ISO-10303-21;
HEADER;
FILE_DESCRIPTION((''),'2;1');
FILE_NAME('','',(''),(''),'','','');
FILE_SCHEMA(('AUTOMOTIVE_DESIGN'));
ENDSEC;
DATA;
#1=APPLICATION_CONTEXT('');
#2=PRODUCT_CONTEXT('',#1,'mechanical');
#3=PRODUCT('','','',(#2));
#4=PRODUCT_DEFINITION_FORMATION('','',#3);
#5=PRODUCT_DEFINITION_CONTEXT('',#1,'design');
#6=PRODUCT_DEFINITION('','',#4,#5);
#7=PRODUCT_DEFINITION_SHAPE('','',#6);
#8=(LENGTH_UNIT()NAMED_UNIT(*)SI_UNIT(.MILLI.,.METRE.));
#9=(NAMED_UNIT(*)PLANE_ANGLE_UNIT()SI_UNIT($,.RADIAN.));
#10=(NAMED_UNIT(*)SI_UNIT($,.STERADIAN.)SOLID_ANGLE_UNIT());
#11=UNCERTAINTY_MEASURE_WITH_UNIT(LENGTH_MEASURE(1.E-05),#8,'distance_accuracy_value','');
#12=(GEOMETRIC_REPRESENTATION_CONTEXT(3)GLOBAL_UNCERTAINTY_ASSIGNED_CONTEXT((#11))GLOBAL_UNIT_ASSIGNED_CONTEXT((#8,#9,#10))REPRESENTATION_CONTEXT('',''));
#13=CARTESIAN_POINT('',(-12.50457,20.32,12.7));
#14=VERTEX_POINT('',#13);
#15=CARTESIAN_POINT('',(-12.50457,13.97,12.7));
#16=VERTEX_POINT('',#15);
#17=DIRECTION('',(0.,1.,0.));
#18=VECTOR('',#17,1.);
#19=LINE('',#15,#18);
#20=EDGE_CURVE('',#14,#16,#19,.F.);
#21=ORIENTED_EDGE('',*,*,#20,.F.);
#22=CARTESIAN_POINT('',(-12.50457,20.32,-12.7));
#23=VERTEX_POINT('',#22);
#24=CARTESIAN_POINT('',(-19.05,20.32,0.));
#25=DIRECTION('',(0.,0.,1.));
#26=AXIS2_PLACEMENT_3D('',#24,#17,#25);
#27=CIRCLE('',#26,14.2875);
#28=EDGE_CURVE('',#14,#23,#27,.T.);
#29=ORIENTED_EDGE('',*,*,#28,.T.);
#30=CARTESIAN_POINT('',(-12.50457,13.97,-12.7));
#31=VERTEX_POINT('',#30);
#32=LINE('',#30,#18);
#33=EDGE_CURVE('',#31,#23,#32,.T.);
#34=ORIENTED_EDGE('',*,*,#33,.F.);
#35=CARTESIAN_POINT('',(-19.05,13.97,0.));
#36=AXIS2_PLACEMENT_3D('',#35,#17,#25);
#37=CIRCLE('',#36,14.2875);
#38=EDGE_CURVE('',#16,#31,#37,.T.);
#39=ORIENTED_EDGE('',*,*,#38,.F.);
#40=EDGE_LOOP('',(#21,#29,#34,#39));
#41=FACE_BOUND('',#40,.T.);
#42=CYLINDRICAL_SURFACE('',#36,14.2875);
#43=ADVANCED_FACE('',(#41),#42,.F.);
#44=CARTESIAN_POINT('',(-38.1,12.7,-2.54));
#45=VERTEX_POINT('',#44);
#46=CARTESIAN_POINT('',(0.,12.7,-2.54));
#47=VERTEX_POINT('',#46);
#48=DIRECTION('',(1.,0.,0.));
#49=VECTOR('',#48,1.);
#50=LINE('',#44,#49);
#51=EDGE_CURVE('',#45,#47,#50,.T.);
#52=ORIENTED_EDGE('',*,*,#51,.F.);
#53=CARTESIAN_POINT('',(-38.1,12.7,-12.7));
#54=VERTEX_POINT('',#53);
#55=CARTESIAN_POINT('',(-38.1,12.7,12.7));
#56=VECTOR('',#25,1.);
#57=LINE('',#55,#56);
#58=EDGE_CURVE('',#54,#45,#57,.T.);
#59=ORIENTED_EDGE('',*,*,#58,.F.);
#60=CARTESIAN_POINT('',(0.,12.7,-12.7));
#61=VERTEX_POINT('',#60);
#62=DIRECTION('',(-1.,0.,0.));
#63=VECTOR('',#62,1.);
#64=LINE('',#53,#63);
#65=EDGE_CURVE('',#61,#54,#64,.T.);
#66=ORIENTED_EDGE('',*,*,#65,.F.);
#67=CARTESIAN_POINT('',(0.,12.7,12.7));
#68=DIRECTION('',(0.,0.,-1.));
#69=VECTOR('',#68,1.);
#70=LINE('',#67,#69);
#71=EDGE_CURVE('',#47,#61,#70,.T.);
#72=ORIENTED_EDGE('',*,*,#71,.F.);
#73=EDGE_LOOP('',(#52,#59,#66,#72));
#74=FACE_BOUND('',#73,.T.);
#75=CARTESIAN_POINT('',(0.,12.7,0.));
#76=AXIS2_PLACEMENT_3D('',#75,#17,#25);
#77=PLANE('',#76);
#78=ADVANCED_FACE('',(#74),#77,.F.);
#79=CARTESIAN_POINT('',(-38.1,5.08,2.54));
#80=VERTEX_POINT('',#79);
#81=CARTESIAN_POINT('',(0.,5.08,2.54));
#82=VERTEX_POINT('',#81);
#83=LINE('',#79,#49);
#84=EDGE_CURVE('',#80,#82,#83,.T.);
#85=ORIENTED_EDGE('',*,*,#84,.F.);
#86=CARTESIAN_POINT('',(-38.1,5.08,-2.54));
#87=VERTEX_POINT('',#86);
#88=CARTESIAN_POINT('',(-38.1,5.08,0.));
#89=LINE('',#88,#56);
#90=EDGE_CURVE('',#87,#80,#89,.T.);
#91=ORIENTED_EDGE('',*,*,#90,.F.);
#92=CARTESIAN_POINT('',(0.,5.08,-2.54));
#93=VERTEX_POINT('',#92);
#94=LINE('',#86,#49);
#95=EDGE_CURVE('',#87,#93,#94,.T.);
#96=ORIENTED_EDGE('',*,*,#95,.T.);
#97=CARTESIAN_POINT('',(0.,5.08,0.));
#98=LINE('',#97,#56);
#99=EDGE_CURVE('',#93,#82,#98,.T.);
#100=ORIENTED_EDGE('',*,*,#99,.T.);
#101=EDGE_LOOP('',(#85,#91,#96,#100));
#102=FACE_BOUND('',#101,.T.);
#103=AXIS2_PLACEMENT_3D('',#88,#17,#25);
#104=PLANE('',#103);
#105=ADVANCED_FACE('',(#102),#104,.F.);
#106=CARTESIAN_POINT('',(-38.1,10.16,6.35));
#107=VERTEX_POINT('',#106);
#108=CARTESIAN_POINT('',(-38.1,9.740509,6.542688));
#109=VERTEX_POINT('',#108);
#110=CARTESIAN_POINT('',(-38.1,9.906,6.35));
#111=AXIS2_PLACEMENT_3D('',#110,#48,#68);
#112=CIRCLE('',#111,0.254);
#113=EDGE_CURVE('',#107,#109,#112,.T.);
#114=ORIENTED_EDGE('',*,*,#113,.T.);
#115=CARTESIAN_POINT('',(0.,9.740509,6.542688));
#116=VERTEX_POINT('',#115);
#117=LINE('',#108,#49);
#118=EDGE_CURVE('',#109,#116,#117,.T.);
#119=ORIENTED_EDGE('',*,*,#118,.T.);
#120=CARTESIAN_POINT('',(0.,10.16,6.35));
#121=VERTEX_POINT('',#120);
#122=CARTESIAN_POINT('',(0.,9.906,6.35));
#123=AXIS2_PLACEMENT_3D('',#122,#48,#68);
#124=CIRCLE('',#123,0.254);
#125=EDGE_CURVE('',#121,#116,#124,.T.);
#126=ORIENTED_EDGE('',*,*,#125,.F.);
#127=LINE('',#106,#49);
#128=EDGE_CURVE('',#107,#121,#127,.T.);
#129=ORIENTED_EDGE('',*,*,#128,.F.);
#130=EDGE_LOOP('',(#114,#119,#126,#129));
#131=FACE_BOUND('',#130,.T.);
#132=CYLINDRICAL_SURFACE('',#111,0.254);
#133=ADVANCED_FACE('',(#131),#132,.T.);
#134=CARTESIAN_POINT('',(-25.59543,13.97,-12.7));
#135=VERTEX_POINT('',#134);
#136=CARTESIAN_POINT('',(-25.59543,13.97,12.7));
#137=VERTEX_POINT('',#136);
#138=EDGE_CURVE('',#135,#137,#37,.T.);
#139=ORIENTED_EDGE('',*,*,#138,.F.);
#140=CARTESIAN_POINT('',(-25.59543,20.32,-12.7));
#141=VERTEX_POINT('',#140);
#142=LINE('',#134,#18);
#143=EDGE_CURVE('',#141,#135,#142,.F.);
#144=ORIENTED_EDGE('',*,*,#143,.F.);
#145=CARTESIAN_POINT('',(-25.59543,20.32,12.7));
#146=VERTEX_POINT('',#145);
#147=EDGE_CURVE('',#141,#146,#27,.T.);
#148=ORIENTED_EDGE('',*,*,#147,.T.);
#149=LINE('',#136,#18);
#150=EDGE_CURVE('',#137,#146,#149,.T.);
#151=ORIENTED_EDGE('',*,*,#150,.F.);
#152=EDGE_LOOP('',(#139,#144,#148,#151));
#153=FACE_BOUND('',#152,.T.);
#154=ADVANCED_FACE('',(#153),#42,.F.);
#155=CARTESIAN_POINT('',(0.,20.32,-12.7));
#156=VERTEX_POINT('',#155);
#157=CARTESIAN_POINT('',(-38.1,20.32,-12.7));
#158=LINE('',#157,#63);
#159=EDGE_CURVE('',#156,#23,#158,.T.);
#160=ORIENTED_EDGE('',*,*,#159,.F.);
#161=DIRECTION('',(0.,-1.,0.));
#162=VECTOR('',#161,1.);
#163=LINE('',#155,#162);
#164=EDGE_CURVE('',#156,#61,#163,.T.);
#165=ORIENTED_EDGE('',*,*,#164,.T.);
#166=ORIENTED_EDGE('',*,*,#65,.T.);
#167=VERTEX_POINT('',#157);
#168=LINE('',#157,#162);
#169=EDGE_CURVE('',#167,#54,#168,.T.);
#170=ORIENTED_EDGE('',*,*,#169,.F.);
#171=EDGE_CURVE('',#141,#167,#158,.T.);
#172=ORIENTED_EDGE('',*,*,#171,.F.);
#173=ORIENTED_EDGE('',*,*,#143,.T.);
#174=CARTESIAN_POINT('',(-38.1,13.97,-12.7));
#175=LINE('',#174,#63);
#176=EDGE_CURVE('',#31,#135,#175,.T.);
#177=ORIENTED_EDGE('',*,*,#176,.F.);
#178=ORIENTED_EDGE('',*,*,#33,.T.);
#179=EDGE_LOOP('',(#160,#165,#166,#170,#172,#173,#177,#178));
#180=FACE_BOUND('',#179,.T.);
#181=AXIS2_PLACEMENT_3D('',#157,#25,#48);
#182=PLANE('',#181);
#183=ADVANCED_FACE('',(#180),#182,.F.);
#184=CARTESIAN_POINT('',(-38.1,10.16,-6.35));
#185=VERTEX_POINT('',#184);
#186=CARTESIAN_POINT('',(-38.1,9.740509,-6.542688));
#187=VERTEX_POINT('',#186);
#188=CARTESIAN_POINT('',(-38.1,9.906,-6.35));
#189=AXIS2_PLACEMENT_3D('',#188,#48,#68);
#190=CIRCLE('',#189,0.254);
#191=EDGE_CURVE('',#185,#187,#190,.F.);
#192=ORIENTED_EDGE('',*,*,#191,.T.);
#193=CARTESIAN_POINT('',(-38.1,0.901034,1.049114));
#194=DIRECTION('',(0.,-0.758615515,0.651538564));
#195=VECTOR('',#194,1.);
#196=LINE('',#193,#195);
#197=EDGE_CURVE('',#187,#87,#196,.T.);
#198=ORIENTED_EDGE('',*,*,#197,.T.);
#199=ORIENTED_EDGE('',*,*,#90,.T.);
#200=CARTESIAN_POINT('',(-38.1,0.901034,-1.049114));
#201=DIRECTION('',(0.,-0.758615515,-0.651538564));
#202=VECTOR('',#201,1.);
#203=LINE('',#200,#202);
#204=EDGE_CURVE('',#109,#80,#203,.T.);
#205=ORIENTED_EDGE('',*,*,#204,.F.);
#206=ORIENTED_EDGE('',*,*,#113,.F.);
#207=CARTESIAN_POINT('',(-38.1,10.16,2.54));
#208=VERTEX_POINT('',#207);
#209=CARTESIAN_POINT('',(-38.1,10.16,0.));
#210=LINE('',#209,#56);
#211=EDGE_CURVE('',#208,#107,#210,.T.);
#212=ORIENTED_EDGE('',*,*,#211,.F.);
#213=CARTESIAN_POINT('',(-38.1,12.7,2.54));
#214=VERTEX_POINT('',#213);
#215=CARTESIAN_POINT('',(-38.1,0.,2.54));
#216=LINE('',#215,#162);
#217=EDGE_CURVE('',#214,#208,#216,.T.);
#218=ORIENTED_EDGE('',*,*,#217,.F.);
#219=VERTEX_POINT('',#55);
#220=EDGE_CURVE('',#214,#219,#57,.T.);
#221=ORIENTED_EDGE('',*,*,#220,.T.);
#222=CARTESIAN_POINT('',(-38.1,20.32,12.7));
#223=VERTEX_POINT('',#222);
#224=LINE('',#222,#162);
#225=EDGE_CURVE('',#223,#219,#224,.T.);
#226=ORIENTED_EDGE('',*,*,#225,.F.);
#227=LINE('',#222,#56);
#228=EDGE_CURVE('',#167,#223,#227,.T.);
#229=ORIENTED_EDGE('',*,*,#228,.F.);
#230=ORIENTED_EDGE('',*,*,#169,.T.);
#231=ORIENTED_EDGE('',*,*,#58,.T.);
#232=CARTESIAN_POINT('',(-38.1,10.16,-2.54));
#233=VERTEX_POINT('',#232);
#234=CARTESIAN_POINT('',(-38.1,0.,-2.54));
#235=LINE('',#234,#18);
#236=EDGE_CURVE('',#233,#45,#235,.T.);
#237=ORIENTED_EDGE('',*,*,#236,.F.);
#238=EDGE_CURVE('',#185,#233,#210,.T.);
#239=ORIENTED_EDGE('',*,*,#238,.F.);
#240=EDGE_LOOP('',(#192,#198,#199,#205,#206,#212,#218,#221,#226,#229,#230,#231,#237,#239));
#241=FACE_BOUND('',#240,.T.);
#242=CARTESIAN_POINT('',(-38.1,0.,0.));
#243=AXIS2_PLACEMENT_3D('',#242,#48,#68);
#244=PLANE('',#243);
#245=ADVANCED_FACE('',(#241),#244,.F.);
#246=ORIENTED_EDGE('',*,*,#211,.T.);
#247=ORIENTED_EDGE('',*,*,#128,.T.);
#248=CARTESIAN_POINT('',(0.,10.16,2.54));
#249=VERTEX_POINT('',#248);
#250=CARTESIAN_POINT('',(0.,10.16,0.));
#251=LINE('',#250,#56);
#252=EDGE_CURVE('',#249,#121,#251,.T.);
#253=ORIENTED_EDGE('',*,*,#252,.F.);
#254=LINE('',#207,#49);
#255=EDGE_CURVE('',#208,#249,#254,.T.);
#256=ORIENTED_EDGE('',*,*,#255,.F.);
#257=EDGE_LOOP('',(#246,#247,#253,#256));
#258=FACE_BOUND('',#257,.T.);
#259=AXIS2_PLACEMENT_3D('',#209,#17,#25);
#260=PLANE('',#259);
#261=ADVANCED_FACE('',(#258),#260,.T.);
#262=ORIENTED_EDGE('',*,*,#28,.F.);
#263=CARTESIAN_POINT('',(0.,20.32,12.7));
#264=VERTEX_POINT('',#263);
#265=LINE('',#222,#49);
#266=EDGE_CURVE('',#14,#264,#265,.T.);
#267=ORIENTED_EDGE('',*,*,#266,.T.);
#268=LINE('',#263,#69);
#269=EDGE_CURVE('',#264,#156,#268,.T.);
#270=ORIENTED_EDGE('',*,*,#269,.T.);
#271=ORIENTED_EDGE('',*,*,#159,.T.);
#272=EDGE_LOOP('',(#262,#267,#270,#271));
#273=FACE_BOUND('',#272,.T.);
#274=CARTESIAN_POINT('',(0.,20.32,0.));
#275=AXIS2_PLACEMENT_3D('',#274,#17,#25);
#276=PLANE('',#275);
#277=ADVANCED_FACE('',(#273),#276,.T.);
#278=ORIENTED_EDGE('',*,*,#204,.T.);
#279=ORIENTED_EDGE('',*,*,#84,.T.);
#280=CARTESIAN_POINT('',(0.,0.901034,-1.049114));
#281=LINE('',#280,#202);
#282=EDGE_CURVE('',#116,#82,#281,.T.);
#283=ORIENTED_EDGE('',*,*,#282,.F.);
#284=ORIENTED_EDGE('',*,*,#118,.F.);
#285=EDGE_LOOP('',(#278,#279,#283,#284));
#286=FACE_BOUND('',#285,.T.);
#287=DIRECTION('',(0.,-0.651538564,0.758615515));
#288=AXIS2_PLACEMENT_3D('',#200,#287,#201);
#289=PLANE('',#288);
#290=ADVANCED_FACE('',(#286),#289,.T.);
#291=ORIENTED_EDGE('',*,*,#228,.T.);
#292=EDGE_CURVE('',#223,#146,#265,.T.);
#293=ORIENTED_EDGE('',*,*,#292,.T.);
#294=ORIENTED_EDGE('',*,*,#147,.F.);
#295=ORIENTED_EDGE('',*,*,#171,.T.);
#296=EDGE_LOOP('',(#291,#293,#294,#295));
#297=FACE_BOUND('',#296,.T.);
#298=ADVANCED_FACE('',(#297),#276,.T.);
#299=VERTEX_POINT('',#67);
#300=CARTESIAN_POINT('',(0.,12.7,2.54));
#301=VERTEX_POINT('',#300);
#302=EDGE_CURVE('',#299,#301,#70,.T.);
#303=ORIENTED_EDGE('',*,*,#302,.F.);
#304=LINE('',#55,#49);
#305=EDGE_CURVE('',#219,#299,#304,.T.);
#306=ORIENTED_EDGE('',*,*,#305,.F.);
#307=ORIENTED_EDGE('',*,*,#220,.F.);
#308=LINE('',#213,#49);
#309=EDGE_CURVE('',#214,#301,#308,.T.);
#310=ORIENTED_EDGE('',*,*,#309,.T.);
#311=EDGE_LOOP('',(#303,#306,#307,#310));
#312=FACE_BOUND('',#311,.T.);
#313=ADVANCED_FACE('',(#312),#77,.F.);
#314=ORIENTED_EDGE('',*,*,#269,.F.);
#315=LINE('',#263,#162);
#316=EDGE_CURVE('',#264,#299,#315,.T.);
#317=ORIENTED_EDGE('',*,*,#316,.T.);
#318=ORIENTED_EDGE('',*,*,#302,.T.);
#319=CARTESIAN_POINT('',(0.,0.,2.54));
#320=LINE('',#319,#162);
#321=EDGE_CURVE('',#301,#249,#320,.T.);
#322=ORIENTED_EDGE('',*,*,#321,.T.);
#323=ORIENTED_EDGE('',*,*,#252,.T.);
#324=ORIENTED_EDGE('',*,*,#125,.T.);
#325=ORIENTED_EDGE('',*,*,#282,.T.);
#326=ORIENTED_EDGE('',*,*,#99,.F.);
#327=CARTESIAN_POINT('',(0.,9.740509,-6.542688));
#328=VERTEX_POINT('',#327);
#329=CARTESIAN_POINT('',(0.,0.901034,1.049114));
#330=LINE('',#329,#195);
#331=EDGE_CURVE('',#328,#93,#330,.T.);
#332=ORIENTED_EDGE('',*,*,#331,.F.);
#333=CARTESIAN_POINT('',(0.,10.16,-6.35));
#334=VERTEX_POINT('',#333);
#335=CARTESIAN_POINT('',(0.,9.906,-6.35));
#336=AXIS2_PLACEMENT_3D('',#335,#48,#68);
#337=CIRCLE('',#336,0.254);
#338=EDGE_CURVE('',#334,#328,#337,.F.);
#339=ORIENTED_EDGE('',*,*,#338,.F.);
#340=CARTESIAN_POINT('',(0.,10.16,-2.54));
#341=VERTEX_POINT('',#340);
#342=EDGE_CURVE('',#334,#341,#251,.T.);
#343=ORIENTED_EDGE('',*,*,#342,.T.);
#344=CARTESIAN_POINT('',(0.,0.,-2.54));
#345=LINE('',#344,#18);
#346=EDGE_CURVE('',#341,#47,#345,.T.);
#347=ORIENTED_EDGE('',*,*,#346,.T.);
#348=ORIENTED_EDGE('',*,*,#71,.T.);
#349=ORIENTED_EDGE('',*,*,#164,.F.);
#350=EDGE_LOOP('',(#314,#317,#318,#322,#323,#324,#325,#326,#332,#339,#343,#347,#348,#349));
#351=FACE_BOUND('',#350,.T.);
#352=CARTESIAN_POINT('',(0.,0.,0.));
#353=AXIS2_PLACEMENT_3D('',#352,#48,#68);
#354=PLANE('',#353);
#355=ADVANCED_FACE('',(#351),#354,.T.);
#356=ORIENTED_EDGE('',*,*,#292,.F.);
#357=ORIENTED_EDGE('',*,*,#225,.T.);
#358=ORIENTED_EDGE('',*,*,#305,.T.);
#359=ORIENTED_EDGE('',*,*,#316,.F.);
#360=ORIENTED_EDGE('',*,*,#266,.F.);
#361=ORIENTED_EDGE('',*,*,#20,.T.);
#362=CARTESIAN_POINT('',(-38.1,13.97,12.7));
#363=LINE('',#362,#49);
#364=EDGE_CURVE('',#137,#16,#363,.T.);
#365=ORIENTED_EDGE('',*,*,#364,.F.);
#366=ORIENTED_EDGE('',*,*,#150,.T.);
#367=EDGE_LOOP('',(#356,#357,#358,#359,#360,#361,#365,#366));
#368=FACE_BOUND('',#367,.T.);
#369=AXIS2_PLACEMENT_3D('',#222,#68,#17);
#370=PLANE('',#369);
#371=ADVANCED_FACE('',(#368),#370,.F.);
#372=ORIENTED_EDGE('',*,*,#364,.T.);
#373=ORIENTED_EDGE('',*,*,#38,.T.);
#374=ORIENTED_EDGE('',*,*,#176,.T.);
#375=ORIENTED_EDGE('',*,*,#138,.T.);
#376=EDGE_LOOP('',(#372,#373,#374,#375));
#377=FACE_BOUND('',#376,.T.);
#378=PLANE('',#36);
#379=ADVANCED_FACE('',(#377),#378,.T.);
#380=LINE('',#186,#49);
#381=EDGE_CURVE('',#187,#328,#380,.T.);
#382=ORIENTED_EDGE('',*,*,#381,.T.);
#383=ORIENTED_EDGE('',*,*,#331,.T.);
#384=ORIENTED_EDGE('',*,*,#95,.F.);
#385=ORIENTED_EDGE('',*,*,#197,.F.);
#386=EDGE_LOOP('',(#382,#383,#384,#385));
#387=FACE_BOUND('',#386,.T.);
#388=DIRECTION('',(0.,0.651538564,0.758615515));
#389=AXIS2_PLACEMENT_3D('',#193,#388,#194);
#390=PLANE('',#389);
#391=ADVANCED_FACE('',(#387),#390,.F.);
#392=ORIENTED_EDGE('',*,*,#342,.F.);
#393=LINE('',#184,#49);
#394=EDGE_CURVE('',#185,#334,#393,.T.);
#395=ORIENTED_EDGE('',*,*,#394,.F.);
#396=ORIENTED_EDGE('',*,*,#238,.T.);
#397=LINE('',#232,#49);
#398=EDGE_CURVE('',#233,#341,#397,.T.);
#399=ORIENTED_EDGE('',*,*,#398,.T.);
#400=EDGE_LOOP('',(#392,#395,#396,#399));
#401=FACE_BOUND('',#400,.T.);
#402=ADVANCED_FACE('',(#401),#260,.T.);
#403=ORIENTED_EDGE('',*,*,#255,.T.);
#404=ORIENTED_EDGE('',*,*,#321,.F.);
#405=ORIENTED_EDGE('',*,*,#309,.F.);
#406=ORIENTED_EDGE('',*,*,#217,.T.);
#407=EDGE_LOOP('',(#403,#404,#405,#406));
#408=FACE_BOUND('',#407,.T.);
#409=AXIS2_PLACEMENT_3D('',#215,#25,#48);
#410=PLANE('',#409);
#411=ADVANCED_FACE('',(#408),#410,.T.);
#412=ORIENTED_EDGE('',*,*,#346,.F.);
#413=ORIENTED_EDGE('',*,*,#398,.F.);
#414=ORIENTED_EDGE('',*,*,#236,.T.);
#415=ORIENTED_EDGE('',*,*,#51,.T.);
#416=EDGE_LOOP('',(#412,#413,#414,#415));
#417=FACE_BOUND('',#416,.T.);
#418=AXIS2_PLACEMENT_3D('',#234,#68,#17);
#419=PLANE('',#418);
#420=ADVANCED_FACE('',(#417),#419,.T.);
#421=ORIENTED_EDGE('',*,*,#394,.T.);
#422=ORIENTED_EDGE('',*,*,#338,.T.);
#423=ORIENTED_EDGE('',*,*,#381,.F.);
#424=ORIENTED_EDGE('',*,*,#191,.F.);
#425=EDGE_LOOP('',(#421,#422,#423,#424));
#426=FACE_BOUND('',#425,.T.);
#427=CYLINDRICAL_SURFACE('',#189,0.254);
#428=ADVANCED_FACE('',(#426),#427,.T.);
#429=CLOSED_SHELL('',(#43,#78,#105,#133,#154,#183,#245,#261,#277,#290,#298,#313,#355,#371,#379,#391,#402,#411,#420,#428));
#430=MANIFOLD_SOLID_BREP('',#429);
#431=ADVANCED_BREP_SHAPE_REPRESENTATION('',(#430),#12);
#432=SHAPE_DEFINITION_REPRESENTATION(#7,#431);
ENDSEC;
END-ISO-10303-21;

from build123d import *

# Parameters (mm, degrees)
SKETCH10_W          = 5.08
SKETCH10_H          = 2.54
BOSS_EXTRUDE3_DEPTH = 38.1
SKETCH11_W          = 38.1
SKETCH11_H          = 25.4
BOSS_EXTRUDE4_DEPTH = 7.62
SKETCH12_R          = 14.2875
CUT_EXTRUDE1_DEPTH  = 6.35


with BuildPart() as part:
    # Sketch10 → Boss-Extrude3 (new body)
    with BuildSketch(Plane(origin=(0, 0, 0), x_dir=(0, 0, -1), z_dir=(1, 0, 0))):
        with BuildLine():
            Line((6.35, 10.16), (-6.35, 10.16))
            ThreePointArc((-6.35, 10.16), (-6.580814495, 10.012022021), (-6.542688341, 9.740509205))
            Line((-6.542688341, 9.740509205), (-2.54, 5.08))
            Line((-2.54, 5.08), (2.54, 5.08))
            Line((2.54, 5.08), (6.542688341, 9.740509205))
            ThreePointArc((6.542688341, 9.740509205), (6.580814495, 10.012022021), (6.35, 10.16))
        make_face()
        with Locations((0, 11.43)):
            Rectangle(SKETCH10_W, SKETCH10_H)
    extrude(amount=-BOSS_EXTRUDE3_DEPTH)

    # Sketch11 → Boss-Extrude4 (add)
    with BuildSketch(Plane(origin=(0, 12.7, 0), x_dir=(1, 0, 0), z_dir=(0, 1, 0))):
        with Locations((-19.05, 0)):
            Rectangle(SKETCH11_W, SKETCH11_H)
    extrude(amount=BOSS_EXTRUDE4_DEPTH)

    # Sketch12 → Cut-Extrude1 (cut)
    with BuildSketch(Plane(origin=(0, 20.32, 0), x_dir=(1, 0, 0), z_dir=(0, 1, 0))):
        with Locations((-19.05, 0)):
            Circle(SKETCH12_R)
    extrude(amount=-CUT_EXTRUDE1_DEPTH, mode=Mode.SUBTRACT)


solid = part.part
